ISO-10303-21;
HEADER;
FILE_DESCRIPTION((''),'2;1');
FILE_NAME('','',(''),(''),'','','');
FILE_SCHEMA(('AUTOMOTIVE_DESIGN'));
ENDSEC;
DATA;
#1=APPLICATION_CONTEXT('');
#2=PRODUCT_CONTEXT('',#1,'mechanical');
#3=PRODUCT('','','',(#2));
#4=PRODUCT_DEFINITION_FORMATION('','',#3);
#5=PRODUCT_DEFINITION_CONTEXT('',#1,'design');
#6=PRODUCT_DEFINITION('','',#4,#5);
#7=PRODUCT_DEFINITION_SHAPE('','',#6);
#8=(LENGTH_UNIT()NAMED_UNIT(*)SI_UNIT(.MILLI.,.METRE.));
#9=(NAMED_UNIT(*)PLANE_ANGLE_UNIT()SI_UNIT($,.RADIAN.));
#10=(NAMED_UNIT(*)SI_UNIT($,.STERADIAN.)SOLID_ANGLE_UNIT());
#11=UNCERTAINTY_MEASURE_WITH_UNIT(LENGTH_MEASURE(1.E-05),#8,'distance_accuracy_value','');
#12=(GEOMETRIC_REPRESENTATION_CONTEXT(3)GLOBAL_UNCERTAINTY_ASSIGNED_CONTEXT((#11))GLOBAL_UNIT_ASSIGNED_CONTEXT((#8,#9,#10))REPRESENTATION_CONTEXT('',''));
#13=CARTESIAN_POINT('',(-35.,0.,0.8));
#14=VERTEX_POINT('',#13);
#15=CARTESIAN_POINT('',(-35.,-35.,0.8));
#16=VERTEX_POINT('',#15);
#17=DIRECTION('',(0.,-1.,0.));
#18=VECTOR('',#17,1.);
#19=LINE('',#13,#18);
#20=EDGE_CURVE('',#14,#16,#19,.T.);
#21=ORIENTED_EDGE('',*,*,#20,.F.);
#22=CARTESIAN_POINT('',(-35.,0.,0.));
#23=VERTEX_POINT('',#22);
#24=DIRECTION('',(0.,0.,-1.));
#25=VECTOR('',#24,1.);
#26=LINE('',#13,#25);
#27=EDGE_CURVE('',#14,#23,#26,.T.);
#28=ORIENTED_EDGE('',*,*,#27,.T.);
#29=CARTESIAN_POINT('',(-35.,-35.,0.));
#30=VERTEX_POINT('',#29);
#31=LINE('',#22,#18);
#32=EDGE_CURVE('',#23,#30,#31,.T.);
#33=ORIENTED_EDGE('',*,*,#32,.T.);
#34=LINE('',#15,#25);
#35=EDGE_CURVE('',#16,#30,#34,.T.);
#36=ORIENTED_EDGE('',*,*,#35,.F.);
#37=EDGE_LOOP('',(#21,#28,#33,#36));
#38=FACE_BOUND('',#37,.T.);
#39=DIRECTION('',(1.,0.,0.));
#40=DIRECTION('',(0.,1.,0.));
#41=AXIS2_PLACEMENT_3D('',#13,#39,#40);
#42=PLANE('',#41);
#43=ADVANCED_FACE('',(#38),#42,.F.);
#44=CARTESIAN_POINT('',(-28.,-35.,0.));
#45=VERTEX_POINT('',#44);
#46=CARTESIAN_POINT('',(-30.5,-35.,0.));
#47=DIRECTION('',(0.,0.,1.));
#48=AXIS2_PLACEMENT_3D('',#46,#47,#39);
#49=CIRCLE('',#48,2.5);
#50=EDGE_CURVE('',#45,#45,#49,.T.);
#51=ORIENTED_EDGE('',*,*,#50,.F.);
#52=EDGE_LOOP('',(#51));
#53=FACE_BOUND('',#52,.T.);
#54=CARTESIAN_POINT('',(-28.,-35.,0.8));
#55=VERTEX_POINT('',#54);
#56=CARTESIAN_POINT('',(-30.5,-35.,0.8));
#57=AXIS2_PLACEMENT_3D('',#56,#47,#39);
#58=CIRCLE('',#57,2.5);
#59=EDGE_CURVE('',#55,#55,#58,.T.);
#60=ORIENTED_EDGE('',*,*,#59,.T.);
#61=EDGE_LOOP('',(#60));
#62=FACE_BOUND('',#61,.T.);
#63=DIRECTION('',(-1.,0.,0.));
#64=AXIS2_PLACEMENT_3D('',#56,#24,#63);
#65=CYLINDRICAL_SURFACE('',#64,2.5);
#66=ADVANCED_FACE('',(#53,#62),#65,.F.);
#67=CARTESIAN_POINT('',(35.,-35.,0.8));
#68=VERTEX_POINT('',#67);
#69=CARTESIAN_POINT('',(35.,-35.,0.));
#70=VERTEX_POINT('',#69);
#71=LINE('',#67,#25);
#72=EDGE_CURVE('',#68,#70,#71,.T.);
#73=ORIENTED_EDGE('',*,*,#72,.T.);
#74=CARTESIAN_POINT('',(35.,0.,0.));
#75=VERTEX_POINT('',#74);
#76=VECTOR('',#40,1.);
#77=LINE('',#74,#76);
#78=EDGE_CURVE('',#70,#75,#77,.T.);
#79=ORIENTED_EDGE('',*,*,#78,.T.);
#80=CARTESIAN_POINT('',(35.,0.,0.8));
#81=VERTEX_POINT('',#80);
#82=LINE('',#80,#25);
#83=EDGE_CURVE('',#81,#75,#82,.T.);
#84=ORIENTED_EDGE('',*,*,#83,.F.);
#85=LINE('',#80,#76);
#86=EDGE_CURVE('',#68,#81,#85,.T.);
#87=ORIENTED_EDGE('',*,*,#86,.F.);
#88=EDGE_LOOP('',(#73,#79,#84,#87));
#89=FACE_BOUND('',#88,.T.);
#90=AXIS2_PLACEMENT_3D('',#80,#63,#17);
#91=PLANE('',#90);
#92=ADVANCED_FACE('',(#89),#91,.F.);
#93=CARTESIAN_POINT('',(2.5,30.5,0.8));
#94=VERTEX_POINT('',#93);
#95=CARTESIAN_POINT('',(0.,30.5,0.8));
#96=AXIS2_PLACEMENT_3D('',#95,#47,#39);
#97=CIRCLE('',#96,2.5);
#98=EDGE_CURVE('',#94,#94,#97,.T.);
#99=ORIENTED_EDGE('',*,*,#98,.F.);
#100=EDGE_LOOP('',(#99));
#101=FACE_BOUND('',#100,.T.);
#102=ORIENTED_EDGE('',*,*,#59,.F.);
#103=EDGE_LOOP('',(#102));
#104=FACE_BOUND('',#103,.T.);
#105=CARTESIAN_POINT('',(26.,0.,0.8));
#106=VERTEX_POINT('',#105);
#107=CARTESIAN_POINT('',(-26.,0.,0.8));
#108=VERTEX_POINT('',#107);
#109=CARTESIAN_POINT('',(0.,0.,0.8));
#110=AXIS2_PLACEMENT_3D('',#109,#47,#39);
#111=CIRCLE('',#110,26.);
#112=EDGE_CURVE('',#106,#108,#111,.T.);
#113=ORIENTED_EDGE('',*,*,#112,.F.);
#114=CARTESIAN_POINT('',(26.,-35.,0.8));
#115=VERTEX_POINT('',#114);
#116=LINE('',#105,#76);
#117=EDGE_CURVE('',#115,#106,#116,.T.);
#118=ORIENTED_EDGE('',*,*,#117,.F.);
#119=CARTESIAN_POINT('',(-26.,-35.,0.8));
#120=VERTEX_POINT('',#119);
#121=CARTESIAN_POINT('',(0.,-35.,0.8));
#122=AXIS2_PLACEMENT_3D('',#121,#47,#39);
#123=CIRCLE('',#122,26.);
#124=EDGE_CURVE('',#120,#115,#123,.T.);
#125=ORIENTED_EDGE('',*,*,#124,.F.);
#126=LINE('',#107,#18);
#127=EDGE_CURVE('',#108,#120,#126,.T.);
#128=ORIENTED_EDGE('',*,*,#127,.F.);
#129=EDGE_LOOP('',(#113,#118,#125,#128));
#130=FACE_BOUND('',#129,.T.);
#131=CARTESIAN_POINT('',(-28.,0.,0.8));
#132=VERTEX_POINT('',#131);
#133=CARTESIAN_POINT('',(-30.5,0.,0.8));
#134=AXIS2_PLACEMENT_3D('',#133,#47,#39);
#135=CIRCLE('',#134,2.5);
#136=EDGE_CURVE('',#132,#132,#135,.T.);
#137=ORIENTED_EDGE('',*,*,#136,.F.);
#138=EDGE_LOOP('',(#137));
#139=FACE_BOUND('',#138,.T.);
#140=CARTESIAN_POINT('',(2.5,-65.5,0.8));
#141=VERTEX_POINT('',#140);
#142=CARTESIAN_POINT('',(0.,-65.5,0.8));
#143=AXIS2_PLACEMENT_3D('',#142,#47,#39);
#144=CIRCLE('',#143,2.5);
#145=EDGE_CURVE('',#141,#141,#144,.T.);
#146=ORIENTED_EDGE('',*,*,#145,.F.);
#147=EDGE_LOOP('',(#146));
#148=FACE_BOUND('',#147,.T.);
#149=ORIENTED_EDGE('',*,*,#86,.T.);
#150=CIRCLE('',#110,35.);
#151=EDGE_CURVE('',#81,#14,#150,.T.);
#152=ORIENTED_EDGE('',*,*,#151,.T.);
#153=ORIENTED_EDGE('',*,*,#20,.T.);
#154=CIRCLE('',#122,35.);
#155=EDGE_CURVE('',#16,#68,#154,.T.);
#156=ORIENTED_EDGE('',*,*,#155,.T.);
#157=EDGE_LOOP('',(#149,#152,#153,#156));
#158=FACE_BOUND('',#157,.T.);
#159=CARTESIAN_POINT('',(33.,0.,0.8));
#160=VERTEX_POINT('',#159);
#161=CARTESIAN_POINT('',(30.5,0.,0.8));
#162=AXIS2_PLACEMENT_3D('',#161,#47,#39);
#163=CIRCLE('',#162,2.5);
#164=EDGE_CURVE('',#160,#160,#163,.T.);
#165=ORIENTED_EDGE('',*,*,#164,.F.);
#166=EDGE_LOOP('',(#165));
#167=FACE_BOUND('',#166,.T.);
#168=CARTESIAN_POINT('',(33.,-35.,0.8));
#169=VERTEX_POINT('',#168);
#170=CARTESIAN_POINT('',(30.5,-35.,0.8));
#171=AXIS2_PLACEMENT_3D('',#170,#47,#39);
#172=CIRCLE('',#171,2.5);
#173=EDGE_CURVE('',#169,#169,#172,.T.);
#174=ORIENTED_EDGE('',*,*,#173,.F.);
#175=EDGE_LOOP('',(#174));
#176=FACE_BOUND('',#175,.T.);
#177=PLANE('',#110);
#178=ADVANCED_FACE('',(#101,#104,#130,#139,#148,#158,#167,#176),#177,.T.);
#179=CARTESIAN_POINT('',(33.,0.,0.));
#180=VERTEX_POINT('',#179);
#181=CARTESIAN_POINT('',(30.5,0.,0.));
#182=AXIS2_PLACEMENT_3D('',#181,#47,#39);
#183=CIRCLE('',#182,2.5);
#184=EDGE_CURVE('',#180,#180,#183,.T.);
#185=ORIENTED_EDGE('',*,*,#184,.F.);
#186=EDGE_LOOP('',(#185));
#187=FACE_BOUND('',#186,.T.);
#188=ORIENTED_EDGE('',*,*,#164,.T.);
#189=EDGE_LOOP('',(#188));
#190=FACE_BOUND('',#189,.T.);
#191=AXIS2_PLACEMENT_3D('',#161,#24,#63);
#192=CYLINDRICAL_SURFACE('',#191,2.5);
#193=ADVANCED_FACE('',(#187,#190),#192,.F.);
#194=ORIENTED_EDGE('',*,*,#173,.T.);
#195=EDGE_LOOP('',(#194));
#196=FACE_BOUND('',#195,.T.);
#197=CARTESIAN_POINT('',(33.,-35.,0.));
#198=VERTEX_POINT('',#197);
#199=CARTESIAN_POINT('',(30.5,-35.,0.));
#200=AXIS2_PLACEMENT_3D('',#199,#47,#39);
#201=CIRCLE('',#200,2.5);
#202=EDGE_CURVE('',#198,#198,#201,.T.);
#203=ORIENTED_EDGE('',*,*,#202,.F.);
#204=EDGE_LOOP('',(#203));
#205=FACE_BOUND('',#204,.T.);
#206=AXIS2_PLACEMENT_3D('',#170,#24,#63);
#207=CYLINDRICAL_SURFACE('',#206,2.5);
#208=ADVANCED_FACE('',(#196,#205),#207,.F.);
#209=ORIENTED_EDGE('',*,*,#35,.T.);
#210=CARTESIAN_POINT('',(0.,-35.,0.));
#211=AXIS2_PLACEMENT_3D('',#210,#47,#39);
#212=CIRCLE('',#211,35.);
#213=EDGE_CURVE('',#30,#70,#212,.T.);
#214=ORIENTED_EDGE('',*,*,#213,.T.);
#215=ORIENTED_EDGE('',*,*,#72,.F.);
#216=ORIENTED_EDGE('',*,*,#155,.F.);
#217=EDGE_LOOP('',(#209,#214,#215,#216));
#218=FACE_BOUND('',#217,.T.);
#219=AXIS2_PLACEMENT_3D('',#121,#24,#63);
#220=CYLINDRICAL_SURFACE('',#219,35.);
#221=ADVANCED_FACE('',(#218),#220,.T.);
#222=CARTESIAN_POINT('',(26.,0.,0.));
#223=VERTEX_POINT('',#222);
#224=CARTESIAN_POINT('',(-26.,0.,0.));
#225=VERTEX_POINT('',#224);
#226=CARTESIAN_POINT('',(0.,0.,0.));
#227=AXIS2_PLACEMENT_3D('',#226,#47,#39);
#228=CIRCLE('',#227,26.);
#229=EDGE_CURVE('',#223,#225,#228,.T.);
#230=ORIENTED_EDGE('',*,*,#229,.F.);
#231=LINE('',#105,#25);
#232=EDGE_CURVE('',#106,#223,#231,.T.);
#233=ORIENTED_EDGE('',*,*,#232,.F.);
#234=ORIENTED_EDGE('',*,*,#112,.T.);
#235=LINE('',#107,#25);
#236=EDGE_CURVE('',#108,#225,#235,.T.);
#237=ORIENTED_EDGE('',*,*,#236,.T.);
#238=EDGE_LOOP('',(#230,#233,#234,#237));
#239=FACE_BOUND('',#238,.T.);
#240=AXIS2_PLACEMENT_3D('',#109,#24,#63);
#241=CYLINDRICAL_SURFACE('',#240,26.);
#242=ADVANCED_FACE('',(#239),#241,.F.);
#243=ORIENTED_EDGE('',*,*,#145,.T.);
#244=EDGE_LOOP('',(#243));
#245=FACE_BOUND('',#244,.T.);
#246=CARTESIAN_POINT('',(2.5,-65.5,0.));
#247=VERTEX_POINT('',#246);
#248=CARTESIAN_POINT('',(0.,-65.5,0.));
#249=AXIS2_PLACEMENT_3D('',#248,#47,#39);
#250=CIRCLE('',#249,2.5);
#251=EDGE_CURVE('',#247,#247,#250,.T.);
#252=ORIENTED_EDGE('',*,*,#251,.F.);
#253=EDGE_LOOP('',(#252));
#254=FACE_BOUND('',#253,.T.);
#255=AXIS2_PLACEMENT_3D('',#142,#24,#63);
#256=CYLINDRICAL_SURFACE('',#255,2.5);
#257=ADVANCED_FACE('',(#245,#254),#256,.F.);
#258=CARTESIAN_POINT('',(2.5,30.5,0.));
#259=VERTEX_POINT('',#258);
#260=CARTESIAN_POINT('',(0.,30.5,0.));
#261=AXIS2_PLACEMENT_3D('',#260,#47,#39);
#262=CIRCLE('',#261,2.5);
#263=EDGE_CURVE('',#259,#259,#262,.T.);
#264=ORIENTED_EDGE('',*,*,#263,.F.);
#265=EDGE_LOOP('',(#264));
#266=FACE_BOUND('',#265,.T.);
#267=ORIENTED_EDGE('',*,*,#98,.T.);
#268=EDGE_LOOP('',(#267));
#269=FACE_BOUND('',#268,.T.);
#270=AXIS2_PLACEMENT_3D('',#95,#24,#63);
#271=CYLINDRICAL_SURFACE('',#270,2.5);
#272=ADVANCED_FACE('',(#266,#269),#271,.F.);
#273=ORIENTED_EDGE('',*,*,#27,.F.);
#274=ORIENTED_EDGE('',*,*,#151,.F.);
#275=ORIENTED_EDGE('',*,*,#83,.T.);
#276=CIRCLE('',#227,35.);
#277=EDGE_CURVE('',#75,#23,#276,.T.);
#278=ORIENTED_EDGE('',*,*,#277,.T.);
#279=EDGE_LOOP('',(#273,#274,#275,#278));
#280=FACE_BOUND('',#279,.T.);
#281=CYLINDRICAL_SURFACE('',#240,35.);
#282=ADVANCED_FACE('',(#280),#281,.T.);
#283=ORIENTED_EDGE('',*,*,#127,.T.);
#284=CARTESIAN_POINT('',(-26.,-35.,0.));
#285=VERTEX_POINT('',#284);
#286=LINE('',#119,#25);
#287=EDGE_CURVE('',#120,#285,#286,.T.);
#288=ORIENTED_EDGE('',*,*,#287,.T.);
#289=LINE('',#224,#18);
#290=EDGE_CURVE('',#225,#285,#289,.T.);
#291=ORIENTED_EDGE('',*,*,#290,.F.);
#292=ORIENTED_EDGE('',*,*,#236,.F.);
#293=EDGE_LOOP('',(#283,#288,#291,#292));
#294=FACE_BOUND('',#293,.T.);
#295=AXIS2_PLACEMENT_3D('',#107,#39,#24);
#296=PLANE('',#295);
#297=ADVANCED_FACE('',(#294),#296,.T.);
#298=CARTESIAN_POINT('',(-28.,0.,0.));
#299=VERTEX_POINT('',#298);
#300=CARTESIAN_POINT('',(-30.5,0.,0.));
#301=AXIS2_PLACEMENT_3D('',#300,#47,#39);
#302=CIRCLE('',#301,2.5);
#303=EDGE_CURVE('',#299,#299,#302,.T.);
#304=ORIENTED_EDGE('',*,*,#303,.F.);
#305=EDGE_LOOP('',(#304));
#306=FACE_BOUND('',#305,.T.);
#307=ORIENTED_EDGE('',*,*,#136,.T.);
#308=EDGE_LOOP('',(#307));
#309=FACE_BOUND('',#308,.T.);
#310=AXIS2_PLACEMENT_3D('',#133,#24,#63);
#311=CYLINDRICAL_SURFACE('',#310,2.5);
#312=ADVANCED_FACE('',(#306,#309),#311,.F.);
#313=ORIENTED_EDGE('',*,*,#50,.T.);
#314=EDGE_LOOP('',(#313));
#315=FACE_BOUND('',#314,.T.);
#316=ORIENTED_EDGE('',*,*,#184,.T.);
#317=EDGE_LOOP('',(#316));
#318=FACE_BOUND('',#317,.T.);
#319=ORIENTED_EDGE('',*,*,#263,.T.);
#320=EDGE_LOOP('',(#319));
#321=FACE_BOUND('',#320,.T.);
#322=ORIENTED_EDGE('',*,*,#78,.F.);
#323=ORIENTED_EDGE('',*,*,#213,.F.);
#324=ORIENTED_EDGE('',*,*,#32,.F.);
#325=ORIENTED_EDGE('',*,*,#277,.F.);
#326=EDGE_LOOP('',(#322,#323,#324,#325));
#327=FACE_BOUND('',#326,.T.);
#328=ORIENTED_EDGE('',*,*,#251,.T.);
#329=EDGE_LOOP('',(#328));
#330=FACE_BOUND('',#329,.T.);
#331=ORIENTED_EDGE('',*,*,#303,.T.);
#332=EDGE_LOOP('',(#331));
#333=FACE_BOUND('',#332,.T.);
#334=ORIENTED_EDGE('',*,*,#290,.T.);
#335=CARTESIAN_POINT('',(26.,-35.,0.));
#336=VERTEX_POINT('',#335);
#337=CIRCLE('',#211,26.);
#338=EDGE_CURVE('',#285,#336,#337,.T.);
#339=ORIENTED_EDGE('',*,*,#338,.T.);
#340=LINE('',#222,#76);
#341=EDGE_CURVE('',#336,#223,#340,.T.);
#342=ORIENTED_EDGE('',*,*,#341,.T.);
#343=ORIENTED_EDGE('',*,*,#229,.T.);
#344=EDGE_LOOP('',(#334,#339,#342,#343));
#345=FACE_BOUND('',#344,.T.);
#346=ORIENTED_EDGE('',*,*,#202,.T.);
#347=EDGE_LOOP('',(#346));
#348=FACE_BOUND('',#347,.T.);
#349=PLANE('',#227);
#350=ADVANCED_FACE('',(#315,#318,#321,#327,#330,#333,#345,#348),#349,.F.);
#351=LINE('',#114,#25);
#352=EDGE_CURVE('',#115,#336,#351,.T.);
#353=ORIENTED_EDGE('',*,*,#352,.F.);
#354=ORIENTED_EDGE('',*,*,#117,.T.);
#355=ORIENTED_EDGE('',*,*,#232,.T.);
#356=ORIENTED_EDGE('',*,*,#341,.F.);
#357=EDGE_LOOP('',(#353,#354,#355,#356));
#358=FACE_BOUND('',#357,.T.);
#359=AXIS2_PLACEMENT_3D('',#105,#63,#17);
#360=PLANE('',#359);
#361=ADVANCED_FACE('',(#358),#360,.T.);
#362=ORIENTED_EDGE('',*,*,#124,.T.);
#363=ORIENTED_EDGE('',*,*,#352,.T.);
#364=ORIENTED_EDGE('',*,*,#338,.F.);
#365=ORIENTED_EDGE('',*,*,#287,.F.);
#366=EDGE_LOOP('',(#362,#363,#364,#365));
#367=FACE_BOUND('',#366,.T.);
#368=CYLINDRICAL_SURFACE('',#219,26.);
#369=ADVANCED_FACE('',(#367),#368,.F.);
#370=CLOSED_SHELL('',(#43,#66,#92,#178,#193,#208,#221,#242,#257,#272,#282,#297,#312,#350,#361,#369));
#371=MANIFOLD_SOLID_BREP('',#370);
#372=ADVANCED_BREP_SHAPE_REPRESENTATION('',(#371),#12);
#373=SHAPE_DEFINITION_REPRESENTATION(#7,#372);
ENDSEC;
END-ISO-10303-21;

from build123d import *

# Parameters (mm, degrees)
SKETCH1_R           = 2.5
BOSS_EXTRUDE1_DEPTH = 0.8


with BuildPart() as part:
    # Sketch1 → Boss-Extrude1 (new body)
    with BuildSketch(Plane.XY):
        with BuildLine():
            Line((-35, 0), (-35, -35))
            ThreePointArc((-35, -35), (0, -70), (35, -35))
            Line((35, -35), (35, 0))
            ThreePointArc((35, 0), (0, 35), (-35, 0))
        make_face()
        with Locations((-30.5, 0)):
            Circle(SKETCH1_R, mode=Mode.SUBTRACT)
        with Locations((0, 30.5)):
            Circle(SKETCH1_R, mode=Mode.SUBTRACT)
        with Locations((30.5, 0)):
            Circle(SKETCH1_R, mode=Mode.SUBTRACT)
        with Locations((0, -65.5)):
            Circle(SKETCH1_R, mode=Mode.SUBTRACT)
        with Locations((-30.5, -35)):
            Circle(SKETCH1_R, mode=Mode.SUBTRACT)
        with Locations((30.5, -35)):
            Circle(SKETCH1_R, mode=Mode.SUBTRACT)
        with BuildLine():
            Line((-26, 0), (-26, -35))
            ThreePointArc((-26, -35), (0, -61), (26, -35))
            Line((26, -35), (26, 0))
            ThreePointArc((26, 0), (0, 26), (-26, 0))
        make_face(mode=Mode.SUBTRACT)
    extrude(amount=BOSS_EXTRUDE1_DEPTH)


solid = part.part
